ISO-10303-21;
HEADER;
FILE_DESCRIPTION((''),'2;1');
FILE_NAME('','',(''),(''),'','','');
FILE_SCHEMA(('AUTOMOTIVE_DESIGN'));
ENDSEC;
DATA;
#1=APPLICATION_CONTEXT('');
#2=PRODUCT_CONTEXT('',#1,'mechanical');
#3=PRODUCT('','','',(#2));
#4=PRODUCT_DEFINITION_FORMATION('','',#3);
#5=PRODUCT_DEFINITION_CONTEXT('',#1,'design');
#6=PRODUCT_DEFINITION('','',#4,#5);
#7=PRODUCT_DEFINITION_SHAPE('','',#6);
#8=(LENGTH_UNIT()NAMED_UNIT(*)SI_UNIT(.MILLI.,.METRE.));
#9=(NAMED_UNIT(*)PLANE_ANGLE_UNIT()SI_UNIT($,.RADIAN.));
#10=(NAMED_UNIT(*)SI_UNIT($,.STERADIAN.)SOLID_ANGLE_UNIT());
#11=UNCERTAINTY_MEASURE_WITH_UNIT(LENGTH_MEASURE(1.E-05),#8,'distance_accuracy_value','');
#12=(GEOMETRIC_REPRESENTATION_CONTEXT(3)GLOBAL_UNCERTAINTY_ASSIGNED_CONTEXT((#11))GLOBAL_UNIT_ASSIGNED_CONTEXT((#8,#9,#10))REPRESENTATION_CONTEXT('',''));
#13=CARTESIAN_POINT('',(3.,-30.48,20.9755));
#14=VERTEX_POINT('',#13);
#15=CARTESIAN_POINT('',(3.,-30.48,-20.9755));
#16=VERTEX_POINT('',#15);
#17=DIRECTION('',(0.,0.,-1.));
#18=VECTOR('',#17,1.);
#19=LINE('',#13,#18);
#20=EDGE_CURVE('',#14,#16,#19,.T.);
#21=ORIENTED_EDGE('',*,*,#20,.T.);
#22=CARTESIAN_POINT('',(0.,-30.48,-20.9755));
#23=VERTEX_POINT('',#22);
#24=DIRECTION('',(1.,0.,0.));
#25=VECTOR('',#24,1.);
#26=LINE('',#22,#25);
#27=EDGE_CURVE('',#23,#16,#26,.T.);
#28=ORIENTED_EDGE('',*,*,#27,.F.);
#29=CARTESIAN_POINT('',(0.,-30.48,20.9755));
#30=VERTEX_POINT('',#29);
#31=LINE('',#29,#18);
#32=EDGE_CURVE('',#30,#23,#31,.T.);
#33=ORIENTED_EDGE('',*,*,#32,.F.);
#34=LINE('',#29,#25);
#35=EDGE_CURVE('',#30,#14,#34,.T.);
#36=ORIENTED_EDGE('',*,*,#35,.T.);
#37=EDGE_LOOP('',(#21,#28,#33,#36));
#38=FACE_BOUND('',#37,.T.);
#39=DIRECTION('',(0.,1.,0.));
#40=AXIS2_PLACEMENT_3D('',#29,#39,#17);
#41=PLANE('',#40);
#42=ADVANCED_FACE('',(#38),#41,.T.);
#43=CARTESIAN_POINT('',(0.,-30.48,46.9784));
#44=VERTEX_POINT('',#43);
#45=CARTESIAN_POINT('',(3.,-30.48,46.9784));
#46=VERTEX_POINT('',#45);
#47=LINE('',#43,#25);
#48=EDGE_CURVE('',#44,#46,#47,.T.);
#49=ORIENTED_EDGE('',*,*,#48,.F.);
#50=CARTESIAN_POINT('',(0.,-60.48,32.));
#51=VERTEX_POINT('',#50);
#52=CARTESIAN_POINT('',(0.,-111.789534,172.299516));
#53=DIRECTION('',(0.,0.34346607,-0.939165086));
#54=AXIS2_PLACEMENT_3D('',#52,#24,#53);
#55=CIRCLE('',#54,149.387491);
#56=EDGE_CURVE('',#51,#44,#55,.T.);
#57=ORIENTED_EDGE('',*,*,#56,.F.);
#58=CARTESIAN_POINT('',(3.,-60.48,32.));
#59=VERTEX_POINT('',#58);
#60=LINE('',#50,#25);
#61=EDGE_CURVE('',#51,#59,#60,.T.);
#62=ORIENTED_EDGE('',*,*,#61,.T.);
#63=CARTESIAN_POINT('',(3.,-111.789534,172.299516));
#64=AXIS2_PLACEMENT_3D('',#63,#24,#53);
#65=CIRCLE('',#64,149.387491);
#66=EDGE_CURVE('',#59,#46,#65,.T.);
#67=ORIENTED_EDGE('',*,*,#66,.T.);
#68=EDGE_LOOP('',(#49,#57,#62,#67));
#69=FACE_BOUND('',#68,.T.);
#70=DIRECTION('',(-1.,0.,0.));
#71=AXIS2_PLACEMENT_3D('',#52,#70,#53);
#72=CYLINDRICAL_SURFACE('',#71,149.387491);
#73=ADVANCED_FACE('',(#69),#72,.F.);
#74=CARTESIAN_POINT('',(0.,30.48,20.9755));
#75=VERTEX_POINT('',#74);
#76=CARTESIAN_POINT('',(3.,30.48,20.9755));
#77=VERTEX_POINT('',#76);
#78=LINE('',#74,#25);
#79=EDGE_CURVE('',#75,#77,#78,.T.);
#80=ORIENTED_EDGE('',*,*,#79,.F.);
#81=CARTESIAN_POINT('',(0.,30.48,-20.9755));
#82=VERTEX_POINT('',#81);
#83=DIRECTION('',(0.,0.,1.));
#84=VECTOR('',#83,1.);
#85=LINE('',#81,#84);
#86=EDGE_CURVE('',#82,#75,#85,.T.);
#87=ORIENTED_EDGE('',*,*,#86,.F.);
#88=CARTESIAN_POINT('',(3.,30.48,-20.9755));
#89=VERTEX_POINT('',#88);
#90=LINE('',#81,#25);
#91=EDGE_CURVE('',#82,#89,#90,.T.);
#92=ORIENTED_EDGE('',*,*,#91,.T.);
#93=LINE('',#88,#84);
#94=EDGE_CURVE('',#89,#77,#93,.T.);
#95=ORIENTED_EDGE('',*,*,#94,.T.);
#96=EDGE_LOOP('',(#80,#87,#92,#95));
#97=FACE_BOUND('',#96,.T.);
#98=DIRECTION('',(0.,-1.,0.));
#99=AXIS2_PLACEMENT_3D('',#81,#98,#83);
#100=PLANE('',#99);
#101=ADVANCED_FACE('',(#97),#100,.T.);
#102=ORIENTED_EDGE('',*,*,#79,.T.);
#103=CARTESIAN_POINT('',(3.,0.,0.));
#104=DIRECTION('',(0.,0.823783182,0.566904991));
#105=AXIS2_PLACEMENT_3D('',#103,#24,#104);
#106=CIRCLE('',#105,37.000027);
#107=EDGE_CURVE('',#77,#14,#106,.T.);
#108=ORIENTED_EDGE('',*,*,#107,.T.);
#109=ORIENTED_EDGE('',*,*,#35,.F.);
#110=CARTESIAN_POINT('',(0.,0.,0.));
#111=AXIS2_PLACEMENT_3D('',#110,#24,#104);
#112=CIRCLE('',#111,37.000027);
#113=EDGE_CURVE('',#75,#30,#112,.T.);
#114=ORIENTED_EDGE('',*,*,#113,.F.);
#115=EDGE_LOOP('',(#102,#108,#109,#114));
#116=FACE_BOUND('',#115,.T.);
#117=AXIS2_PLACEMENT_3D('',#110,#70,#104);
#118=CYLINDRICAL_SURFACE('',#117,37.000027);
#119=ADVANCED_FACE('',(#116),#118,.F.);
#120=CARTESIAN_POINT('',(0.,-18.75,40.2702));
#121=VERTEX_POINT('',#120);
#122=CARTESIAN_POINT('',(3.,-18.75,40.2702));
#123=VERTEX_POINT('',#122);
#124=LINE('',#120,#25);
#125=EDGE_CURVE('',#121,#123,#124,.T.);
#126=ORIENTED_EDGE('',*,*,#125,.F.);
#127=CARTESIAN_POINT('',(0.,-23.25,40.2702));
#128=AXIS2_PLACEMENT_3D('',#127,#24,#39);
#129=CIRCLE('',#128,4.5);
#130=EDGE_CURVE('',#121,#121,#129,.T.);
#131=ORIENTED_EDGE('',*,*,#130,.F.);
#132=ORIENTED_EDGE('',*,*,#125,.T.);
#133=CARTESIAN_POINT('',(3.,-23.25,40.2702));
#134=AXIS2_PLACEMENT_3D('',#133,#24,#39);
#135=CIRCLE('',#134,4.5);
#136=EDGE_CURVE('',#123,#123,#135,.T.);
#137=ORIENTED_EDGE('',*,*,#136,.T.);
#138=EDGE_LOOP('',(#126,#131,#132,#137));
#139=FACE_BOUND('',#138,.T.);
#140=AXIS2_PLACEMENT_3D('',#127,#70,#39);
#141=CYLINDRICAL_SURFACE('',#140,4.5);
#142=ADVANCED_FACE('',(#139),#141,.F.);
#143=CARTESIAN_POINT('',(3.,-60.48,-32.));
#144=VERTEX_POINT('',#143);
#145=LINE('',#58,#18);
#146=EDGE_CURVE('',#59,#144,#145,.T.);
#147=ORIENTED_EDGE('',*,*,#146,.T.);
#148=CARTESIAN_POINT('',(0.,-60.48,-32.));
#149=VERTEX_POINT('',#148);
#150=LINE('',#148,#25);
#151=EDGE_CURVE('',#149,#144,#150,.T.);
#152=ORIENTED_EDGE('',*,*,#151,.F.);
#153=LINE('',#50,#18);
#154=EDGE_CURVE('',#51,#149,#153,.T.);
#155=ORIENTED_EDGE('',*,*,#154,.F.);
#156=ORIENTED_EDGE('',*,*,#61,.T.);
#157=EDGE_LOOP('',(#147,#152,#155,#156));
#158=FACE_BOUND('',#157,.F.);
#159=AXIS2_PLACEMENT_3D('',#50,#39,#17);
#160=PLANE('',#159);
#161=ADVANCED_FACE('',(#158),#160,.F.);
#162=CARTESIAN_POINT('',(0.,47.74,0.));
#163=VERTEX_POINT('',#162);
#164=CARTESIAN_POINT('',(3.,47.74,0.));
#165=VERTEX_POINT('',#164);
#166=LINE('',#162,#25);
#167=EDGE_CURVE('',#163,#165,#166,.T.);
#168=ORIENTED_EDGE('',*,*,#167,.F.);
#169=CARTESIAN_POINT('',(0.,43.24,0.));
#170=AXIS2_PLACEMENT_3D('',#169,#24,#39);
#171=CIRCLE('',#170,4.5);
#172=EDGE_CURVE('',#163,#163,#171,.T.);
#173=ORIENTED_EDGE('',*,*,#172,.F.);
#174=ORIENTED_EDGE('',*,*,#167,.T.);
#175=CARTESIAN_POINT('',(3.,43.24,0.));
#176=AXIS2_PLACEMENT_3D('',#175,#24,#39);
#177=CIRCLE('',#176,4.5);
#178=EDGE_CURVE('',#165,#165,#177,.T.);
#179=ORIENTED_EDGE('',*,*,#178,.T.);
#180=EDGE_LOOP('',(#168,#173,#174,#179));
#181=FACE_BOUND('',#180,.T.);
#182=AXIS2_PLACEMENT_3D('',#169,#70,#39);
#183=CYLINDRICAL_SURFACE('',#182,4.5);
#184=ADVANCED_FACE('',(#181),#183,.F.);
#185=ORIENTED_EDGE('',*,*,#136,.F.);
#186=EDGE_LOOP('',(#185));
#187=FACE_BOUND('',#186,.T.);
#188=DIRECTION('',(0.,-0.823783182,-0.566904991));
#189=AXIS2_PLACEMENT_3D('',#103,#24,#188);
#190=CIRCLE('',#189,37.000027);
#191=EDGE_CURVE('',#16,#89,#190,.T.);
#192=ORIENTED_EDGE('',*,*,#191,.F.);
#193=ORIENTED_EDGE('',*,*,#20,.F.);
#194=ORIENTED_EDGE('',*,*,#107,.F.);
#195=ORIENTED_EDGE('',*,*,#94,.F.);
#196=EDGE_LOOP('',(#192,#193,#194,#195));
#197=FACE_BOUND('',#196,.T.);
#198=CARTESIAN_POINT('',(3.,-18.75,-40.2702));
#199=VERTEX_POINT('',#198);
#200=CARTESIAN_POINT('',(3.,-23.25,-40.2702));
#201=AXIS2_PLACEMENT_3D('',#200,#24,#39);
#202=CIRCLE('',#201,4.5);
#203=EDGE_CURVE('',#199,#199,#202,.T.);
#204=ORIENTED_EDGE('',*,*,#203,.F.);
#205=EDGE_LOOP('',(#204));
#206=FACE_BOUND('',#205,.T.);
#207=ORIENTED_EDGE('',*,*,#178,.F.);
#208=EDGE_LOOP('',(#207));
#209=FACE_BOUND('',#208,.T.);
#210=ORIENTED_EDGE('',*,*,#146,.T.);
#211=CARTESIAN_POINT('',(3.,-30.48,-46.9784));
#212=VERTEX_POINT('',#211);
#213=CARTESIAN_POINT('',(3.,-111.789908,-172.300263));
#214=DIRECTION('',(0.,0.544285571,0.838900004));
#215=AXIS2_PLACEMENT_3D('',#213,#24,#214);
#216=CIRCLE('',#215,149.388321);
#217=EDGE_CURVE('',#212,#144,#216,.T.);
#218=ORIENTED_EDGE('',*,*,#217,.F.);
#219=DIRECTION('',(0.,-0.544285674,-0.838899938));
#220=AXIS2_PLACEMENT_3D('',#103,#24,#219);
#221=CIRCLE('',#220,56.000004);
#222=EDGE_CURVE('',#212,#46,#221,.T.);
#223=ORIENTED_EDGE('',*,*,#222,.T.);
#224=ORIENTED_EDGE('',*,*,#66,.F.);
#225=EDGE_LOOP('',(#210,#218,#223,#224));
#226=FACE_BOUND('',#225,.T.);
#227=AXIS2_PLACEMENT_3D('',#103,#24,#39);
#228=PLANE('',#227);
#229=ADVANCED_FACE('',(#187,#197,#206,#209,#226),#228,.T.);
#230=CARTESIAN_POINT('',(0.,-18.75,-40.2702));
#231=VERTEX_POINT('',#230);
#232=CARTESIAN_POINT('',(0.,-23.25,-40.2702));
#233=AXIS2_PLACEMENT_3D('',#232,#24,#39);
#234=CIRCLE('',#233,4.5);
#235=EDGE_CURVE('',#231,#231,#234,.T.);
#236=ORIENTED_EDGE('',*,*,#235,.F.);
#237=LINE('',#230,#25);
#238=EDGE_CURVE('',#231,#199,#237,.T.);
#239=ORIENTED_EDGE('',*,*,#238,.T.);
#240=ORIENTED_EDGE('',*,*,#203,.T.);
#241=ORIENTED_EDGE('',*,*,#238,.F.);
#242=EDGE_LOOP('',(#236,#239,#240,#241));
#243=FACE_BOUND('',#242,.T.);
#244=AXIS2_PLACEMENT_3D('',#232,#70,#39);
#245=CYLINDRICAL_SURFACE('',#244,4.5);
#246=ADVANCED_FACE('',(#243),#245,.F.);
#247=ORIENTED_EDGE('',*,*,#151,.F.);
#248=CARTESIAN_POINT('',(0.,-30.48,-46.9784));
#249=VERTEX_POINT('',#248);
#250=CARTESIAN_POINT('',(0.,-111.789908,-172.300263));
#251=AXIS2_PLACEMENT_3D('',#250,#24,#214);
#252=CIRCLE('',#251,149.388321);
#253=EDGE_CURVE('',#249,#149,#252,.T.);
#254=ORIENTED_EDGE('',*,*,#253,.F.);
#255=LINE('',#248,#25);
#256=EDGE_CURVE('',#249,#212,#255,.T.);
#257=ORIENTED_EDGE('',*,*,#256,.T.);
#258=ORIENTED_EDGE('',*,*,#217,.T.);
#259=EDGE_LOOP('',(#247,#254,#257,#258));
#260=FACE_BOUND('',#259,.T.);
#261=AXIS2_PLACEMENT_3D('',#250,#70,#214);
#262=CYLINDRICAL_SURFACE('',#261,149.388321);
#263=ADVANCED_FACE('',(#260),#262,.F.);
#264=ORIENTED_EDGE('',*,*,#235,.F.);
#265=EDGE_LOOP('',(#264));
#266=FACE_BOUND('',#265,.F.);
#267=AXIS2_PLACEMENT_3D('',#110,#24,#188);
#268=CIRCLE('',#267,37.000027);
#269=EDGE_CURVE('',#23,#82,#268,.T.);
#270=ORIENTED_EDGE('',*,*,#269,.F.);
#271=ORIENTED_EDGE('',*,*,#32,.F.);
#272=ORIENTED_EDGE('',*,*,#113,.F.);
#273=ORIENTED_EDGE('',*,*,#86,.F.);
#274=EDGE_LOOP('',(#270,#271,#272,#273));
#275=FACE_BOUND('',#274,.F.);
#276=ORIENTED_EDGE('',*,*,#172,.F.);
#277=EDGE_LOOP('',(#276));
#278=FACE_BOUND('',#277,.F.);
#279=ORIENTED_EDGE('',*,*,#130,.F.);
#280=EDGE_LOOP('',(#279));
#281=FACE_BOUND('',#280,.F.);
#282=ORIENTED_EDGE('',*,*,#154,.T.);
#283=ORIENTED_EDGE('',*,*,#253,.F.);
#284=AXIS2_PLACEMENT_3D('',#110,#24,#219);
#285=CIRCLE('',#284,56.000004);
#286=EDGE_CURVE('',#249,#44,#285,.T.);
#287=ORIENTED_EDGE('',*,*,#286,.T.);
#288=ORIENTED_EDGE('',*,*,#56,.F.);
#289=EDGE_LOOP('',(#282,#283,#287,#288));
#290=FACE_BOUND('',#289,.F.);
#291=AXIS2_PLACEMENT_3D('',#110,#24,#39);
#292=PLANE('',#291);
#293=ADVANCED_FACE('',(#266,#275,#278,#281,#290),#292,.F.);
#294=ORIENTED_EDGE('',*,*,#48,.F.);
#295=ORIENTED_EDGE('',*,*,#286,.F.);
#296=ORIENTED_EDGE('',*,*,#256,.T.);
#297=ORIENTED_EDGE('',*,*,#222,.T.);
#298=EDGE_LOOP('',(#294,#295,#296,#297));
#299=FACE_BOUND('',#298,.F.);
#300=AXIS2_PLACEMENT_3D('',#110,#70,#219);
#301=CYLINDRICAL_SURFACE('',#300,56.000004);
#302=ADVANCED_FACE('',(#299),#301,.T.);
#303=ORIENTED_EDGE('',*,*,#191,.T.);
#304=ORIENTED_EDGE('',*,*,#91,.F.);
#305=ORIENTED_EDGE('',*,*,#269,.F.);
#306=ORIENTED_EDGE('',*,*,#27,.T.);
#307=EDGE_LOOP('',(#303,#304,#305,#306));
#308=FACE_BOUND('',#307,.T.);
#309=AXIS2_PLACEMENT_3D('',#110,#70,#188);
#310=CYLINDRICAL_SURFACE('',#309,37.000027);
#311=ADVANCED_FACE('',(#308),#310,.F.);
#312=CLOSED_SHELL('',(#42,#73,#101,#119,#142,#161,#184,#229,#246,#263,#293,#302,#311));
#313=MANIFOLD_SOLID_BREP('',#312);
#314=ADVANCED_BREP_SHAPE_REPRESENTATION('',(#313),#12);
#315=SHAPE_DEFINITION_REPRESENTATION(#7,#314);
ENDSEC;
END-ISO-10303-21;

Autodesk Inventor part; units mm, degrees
ref_plane "YZ Plane" through (0, 0, 0) normal (1, 0, 0) x (0, 1, 0)
ref_plane "XZ Plane" through (0, 0, 0) normal (0, 1, 0) x (-1, 0, 0)
ref_plane "XY Plane" through (0, 0, 0) normal (0, 0, 1) x (1, 0, 0)
sketch "Sketch1" plane through (0, 0, 0) normal (1, 0, 0) x (0, 1, 0)
  line L0 (30.48, -20.9755) -> (30.48, 20.9755)
  line L1 (-30.48, 20.9755) -> (-30.48, -20.9755)
  arc A0 (30.48, 20.9755) -> (-30.48, 20.9755) centre (0, 0) ccw
  arc A1 (-30.48, -20.9755) -> (30.48, -20.9755) centre (0, 0) ccw
  arc A2 (-30.48, -46.9784) -> (-30.48, 46.9784) centre (0, 0) ccw
  line L2 (-60.48, 32) -> (-60.48, -32)
  arc A3 (-60.48, 32) -> (-30.48, 46.9784) centre (-111.7897, 172.2999) ccw
  arc A4 (-30.48, -46.9784) -> (-60.48, -32) centre (-111.7897, -172.2999) ccw
  line L3 (56, 0) -> (0, 0) construction
  line L4 (0, 0) -> (-28, 48.4974) construction
  line L5 (0, 0) -> (-28, -48.4974) construction
  line L6 (30.48, 0) -> (56, 0) construction
  line L7 (-18.5, -32.0429) -> (-28, -48.4974) construction
  line L8 (-28, 48.4974) -> (-18.5, 32.0429) construction
  circle A5 centre (43.24, 0) radius 4.5
  circle A6 centre (-23.25, -40.2702) radius 4.5
  circle A7 centre (-23.25, 40.2702) radius 4.5
  point P0 (-60.48, 0)
  point P1 (-30.48, 0)
  dimension "d1" = 60.96
  dimension "d2" = 30.48
  dimension "d3" = 37
  dimension "d4" = 37
  dimension "d5" = 19
  dimension "d6" = 64
  dimension "d7" = 120
  dimension "d8" = 120
  dimension "d9" = 9
  dimension "d10" = 9
  dimension "d11" = 9
  dimension "d14" = 30
extrude "Extrusion1" add sketch "Sketch1" along normal blind 3
properties part number "battlebotmotorbracetemp"
